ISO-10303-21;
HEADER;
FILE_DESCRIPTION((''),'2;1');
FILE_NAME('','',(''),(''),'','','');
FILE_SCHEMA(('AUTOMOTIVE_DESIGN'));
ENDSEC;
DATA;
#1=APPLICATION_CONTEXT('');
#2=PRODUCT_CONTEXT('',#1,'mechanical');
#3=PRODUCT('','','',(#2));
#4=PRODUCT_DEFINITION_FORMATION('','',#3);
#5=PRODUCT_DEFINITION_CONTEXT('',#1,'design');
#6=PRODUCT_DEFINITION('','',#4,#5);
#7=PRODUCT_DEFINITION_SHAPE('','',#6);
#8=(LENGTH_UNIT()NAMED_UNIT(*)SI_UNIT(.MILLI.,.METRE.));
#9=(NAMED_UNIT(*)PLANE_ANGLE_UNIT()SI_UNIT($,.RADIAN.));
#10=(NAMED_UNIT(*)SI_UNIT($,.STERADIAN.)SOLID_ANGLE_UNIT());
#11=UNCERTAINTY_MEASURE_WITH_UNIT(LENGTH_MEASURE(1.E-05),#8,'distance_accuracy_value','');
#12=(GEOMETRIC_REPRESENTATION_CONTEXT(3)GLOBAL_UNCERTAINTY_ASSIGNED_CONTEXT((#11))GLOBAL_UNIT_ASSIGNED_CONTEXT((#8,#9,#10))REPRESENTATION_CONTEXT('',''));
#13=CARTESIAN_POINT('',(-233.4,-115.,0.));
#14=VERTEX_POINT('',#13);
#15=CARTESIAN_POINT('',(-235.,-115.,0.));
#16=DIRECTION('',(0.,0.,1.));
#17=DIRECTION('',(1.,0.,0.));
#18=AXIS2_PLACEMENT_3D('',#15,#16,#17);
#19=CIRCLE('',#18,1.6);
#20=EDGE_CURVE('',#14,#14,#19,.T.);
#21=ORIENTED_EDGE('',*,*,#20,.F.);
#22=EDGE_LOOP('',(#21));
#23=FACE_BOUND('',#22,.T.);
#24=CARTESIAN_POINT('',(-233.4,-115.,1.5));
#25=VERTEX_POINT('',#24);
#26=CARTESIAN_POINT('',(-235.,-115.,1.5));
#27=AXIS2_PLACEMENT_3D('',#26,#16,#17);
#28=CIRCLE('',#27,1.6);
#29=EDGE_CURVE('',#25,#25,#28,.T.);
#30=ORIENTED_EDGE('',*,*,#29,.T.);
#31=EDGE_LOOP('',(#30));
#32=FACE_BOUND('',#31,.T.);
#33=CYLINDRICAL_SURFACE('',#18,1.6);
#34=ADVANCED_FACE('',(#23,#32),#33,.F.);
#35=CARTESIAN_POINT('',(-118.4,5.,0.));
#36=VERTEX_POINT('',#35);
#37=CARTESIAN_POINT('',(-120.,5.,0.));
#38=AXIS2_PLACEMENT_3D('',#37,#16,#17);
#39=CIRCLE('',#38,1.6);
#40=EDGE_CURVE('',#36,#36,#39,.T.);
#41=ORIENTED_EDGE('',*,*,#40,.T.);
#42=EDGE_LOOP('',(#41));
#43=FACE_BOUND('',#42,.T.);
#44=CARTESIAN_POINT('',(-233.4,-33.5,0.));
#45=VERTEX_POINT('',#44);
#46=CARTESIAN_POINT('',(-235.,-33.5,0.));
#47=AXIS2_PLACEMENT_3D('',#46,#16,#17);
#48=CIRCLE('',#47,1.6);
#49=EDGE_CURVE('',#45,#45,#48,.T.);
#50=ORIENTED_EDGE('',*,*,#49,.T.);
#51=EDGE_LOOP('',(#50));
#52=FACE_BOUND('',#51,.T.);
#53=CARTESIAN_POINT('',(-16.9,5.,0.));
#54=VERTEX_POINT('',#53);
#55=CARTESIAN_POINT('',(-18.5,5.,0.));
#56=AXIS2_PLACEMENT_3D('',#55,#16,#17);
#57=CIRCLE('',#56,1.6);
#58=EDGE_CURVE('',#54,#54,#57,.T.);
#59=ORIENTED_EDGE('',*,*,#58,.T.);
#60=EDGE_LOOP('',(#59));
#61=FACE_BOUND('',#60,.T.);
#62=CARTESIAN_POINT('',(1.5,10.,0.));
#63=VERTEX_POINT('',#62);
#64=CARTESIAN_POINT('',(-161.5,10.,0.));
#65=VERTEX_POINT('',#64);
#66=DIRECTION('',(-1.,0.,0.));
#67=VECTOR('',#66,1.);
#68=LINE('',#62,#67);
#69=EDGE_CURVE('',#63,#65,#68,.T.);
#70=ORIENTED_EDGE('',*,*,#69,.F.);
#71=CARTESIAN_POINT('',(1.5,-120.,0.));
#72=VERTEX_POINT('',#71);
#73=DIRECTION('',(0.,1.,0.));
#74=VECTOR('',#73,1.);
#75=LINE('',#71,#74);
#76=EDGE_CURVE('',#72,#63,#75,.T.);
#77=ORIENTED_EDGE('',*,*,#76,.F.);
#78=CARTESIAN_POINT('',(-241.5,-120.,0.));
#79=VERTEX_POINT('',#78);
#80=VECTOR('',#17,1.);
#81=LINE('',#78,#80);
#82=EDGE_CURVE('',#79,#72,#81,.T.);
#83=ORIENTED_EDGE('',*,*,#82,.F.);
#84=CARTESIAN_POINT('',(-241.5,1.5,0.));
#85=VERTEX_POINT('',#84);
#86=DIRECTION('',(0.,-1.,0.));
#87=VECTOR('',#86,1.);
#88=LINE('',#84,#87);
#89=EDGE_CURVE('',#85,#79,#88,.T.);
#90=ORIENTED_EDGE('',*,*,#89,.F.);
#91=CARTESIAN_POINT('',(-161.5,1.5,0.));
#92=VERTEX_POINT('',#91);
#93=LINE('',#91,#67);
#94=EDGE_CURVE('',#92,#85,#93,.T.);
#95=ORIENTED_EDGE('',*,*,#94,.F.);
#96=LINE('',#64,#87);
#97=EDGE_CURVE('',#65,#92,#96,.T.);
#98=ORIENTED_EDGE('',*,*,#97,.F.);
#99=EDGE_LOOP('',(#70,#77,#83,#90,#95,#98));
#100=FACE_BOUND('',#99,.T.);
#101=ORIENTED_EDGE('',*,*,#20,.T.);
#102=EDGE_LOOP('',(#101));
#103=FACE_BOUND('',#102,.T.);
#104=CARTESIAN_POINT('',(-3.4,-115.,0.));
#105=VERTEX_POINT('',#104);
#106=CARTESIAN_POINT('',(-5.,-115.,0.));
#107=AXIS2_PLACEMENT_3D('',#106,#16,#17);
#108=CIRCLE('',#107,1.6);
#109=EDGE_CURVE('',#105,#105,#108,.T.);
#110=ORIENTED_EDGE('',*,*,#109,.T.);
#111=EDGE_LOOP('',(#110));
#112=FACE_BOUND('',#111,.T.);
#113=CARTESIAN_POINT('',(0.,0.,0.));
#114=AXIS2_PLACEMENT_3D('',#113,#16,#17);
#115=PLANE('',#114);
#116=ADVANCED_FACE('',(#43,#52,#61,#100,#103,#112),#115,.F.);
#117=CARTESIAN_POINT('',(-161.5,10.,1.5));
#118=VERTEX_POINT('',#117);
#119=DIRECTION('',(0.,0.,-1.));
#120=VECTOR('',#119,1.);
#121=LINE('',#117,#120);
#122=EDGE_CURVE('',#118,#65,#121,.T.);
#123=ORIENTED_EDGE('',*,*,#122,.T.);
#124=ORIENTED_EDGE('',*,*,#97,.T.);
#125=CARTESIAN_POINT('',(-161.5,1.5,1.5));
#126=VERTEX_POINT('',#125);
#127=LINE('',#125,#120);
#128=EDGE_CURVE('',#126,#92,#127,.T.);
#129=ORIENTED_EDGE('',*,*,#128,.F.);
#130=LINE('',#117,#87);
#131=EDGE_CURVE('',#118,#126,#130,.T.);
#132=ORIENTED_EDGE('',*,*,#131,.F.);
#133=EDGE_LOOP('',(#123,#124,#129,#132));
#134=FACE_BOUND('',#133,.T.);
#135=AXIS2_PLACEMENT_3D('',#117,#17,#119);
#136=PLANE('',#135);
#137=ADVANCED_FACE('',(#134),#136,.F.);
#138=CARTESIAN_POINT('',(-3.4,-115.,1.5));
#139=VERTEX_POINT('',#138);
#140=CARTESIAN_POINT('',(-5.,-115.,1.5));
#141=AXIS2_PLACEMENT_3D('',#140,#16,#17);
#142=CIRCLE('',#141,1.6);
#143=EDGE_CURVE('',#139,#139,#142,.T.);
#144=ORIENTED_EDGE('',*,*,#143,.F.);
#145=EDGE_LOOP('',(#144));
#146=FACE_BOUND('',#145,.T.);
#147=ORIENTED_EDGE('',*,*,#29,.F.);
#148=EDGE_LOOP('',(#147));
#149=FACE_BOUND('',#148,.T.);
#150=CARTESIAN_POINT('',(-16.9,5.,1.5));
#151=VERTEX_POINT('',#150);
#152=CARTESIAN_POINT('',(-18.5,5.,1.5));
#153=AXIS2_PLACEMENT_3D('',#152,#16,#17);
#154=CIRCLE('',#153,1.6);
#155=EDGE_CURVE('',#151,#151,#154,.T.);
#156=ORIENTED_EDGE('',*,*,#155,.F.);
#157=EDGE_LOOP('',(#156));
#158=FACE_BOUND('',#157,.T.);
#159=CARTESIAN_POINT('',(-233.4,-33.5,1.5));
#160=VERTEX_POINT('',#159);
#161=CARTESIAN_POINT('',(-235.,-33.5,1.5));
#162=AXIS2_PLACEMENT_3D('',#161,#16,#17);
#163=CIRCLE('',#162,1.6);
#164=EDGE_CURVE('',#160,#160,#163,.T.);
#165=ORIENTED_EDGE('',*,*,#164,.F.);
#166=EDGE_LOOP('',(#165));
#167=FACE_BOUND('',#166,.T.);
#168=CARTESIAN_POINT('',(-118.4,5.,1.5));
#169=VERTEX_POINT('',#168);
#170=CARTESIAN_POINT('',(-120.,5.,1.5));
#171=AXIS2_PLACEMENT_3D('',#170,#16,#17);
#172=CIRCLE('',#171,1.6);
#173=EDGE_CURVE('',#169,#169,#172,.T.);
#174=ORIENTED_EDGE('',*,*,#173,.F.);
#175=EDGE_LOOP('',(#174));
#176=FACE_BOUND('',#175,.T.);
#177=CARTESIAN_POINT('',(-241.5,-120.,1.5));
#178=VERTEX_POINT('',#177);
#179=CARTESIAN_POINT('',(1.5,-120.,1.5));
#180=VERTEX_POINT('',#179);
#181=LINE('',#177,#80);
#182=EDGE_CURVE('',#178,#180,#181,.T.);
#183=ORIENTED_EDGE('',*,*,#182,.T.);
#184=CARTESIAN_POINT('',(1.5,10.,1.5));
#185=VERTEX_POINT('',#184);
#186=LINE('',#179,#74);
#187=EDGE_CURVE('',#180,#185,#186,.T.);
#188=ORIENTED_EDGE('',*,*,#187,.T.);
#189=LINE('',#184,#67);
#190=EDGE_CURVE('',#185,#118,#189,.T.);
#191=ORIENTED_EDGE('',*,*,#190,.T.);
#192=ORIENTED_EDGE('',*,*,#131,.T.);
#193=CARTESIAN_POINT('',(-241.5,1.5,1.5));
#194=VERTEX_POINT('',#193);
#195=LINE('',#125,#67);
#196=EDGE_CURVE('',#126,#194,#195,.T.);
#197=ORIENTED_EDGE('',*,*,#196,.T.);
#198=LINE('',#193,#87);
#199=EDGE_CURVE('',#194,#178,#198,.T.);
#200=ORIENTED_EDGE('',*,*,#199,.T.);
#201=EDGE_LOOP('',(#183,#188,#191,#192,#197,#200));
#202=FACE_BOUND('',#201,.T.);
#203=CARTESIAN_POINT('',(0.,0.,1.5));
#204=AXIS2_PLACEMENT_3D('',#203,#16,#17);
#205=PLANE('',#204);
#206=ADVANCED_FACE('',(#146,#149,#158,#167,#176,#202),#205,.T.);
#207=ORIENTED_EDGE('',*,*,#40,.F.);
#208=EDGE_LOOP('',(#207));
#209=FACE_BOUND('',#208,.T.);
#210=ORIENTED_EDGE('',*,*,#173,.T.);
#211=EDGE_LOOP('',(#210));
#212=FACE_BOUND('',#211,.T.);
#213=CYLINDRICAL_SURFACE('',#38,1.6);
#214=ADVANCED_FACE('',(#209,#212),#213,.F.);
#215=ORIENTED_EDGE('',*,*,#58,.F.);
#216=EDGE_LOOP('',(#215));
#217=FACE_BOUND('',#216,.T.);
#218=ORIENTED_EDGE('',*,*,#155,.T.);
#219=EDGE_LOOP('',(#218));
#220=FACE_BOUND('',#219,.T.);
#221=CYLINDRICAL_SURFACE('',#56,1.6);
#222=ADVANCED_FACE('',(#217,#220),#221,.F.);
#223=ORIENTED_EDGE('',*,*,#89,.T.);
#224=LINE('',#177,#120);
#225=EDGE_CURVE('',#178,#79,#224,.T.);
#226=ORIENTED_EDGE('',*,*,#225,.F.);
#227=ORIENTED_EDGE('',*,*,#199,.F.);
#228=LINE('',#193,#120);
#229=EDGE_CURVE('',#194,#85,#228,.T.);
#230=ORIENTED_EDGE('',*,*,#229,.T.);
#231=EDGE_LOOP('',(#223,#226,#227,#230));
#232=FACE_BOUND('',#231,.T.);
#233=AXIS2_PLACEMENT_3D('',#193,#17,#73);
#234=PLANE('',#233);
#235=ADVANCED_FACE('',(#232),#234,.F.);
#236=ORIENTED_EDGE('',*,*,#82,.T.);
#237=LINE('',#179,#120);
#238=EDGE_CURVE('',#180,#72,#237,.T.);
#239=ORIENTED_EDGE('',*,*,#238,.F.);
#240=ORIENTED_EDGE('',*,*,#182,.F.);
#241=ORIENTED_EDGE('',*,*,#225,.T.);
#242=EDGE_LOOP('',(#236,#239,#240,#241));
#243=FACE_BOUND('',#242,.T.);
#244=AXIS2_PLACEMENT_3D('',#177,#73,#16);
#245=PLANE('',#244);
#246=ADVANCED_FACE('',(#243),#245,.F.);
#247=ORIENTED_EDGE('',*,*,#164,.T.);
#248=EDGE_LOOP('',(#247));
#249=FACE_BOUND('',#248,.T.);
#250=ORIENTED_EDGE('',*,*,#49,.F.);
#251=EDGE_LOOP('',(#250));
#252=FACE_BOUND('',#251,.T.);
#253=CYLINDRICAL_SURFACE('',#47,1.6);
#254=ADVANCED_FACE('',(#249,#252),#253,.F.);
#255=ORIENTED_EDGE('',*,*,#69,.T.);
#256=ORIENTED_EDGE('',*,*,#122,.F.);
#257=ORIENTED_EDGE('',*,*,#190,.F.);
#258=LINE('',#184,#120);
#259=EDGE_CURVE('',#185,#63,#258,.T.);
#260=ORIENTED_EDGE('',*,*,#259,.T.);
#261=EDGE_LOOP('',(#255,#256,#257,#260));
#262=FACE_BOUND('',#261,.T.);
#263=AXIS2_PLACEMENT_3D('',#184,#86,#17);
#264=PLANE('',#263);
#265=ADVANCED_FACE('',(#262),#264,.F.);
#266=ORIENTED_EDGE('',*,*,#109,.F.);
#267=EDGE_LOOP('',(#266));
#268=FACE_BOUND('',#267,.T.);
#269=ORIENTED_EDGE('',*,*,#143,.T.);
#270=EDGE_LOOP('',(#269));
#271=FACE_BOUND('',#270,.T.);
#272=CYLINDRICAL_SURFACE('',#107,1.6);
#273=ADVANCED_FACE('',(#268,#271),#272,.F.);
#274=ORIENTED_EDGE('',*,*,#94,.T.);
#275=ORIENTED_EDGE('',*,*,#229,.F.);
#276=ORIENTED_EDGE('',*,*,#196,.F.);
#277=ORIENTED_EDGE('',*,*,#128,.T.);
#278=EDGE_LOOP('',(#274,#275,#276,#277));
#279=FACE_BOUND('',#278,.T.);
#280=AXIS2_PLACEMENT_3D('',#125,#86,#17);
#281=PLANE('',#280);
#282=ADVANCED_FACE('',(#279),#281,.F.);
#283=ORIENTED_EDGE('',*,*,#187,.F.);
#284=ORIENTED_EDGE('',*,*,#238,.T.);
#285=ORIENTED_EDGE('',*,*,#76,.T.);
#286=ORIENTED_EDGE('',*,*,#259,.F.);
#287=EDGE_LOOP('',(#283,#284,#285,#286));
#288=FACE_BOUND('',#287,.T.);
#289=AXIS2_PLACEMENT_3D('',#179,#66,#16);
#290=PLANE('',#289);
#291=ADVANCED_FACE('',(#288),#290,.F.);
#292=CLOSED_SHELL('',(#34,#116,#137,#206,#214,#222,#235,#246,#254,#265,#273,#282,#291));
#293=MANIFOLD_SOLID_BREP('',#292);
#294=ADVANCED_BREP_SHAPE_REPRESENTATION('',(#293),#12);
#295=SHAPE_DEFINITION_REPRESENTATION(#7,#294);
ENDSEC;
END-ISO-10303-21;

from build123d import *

# Parameters (mm, degrees)
BOSS_EXTRUDE1_DEPTH = 1.5
SKETCH2_R           = 1.6
CUT_EXTRUDE1_DEPTH  = 1.5


with BuildPart() as part:
    # Sketch1 → Boss-Extrude1 (new body)
    with BuildSketch(Plane.XY):
        Polygon((-241.5, -120), (1.5, -120), (1.5, 10), (-161.5, 10), (-161.5, 1.5), (-241.5, 1.5), align=None)
    extrude(amount=BOSS_EXTRUDE1_DEPTH)

    # Sketch2 → Cut-Extrude1 (cut)
    with BuildSketch(Plane.XY.offset(1.5)):
        with Locations((-235, -33.5)):
            Circle(SKETCH2_R)
        with Locations((-235, -115)):
            Circle(SKETCH2_R)
        with Locations((-5, -115)):
            Circle(SKETCH2_R)
        with Locations((-120, 5)):
            Circle(SKETCH2_R)
        with Locations((-18.5, 5)):
            Circle(SKETCH2_R)
    extrude(amount=-CUT_EXTRUDE1_DEPTH, mode=Mode.SUBTRACT)


solid = part.part
